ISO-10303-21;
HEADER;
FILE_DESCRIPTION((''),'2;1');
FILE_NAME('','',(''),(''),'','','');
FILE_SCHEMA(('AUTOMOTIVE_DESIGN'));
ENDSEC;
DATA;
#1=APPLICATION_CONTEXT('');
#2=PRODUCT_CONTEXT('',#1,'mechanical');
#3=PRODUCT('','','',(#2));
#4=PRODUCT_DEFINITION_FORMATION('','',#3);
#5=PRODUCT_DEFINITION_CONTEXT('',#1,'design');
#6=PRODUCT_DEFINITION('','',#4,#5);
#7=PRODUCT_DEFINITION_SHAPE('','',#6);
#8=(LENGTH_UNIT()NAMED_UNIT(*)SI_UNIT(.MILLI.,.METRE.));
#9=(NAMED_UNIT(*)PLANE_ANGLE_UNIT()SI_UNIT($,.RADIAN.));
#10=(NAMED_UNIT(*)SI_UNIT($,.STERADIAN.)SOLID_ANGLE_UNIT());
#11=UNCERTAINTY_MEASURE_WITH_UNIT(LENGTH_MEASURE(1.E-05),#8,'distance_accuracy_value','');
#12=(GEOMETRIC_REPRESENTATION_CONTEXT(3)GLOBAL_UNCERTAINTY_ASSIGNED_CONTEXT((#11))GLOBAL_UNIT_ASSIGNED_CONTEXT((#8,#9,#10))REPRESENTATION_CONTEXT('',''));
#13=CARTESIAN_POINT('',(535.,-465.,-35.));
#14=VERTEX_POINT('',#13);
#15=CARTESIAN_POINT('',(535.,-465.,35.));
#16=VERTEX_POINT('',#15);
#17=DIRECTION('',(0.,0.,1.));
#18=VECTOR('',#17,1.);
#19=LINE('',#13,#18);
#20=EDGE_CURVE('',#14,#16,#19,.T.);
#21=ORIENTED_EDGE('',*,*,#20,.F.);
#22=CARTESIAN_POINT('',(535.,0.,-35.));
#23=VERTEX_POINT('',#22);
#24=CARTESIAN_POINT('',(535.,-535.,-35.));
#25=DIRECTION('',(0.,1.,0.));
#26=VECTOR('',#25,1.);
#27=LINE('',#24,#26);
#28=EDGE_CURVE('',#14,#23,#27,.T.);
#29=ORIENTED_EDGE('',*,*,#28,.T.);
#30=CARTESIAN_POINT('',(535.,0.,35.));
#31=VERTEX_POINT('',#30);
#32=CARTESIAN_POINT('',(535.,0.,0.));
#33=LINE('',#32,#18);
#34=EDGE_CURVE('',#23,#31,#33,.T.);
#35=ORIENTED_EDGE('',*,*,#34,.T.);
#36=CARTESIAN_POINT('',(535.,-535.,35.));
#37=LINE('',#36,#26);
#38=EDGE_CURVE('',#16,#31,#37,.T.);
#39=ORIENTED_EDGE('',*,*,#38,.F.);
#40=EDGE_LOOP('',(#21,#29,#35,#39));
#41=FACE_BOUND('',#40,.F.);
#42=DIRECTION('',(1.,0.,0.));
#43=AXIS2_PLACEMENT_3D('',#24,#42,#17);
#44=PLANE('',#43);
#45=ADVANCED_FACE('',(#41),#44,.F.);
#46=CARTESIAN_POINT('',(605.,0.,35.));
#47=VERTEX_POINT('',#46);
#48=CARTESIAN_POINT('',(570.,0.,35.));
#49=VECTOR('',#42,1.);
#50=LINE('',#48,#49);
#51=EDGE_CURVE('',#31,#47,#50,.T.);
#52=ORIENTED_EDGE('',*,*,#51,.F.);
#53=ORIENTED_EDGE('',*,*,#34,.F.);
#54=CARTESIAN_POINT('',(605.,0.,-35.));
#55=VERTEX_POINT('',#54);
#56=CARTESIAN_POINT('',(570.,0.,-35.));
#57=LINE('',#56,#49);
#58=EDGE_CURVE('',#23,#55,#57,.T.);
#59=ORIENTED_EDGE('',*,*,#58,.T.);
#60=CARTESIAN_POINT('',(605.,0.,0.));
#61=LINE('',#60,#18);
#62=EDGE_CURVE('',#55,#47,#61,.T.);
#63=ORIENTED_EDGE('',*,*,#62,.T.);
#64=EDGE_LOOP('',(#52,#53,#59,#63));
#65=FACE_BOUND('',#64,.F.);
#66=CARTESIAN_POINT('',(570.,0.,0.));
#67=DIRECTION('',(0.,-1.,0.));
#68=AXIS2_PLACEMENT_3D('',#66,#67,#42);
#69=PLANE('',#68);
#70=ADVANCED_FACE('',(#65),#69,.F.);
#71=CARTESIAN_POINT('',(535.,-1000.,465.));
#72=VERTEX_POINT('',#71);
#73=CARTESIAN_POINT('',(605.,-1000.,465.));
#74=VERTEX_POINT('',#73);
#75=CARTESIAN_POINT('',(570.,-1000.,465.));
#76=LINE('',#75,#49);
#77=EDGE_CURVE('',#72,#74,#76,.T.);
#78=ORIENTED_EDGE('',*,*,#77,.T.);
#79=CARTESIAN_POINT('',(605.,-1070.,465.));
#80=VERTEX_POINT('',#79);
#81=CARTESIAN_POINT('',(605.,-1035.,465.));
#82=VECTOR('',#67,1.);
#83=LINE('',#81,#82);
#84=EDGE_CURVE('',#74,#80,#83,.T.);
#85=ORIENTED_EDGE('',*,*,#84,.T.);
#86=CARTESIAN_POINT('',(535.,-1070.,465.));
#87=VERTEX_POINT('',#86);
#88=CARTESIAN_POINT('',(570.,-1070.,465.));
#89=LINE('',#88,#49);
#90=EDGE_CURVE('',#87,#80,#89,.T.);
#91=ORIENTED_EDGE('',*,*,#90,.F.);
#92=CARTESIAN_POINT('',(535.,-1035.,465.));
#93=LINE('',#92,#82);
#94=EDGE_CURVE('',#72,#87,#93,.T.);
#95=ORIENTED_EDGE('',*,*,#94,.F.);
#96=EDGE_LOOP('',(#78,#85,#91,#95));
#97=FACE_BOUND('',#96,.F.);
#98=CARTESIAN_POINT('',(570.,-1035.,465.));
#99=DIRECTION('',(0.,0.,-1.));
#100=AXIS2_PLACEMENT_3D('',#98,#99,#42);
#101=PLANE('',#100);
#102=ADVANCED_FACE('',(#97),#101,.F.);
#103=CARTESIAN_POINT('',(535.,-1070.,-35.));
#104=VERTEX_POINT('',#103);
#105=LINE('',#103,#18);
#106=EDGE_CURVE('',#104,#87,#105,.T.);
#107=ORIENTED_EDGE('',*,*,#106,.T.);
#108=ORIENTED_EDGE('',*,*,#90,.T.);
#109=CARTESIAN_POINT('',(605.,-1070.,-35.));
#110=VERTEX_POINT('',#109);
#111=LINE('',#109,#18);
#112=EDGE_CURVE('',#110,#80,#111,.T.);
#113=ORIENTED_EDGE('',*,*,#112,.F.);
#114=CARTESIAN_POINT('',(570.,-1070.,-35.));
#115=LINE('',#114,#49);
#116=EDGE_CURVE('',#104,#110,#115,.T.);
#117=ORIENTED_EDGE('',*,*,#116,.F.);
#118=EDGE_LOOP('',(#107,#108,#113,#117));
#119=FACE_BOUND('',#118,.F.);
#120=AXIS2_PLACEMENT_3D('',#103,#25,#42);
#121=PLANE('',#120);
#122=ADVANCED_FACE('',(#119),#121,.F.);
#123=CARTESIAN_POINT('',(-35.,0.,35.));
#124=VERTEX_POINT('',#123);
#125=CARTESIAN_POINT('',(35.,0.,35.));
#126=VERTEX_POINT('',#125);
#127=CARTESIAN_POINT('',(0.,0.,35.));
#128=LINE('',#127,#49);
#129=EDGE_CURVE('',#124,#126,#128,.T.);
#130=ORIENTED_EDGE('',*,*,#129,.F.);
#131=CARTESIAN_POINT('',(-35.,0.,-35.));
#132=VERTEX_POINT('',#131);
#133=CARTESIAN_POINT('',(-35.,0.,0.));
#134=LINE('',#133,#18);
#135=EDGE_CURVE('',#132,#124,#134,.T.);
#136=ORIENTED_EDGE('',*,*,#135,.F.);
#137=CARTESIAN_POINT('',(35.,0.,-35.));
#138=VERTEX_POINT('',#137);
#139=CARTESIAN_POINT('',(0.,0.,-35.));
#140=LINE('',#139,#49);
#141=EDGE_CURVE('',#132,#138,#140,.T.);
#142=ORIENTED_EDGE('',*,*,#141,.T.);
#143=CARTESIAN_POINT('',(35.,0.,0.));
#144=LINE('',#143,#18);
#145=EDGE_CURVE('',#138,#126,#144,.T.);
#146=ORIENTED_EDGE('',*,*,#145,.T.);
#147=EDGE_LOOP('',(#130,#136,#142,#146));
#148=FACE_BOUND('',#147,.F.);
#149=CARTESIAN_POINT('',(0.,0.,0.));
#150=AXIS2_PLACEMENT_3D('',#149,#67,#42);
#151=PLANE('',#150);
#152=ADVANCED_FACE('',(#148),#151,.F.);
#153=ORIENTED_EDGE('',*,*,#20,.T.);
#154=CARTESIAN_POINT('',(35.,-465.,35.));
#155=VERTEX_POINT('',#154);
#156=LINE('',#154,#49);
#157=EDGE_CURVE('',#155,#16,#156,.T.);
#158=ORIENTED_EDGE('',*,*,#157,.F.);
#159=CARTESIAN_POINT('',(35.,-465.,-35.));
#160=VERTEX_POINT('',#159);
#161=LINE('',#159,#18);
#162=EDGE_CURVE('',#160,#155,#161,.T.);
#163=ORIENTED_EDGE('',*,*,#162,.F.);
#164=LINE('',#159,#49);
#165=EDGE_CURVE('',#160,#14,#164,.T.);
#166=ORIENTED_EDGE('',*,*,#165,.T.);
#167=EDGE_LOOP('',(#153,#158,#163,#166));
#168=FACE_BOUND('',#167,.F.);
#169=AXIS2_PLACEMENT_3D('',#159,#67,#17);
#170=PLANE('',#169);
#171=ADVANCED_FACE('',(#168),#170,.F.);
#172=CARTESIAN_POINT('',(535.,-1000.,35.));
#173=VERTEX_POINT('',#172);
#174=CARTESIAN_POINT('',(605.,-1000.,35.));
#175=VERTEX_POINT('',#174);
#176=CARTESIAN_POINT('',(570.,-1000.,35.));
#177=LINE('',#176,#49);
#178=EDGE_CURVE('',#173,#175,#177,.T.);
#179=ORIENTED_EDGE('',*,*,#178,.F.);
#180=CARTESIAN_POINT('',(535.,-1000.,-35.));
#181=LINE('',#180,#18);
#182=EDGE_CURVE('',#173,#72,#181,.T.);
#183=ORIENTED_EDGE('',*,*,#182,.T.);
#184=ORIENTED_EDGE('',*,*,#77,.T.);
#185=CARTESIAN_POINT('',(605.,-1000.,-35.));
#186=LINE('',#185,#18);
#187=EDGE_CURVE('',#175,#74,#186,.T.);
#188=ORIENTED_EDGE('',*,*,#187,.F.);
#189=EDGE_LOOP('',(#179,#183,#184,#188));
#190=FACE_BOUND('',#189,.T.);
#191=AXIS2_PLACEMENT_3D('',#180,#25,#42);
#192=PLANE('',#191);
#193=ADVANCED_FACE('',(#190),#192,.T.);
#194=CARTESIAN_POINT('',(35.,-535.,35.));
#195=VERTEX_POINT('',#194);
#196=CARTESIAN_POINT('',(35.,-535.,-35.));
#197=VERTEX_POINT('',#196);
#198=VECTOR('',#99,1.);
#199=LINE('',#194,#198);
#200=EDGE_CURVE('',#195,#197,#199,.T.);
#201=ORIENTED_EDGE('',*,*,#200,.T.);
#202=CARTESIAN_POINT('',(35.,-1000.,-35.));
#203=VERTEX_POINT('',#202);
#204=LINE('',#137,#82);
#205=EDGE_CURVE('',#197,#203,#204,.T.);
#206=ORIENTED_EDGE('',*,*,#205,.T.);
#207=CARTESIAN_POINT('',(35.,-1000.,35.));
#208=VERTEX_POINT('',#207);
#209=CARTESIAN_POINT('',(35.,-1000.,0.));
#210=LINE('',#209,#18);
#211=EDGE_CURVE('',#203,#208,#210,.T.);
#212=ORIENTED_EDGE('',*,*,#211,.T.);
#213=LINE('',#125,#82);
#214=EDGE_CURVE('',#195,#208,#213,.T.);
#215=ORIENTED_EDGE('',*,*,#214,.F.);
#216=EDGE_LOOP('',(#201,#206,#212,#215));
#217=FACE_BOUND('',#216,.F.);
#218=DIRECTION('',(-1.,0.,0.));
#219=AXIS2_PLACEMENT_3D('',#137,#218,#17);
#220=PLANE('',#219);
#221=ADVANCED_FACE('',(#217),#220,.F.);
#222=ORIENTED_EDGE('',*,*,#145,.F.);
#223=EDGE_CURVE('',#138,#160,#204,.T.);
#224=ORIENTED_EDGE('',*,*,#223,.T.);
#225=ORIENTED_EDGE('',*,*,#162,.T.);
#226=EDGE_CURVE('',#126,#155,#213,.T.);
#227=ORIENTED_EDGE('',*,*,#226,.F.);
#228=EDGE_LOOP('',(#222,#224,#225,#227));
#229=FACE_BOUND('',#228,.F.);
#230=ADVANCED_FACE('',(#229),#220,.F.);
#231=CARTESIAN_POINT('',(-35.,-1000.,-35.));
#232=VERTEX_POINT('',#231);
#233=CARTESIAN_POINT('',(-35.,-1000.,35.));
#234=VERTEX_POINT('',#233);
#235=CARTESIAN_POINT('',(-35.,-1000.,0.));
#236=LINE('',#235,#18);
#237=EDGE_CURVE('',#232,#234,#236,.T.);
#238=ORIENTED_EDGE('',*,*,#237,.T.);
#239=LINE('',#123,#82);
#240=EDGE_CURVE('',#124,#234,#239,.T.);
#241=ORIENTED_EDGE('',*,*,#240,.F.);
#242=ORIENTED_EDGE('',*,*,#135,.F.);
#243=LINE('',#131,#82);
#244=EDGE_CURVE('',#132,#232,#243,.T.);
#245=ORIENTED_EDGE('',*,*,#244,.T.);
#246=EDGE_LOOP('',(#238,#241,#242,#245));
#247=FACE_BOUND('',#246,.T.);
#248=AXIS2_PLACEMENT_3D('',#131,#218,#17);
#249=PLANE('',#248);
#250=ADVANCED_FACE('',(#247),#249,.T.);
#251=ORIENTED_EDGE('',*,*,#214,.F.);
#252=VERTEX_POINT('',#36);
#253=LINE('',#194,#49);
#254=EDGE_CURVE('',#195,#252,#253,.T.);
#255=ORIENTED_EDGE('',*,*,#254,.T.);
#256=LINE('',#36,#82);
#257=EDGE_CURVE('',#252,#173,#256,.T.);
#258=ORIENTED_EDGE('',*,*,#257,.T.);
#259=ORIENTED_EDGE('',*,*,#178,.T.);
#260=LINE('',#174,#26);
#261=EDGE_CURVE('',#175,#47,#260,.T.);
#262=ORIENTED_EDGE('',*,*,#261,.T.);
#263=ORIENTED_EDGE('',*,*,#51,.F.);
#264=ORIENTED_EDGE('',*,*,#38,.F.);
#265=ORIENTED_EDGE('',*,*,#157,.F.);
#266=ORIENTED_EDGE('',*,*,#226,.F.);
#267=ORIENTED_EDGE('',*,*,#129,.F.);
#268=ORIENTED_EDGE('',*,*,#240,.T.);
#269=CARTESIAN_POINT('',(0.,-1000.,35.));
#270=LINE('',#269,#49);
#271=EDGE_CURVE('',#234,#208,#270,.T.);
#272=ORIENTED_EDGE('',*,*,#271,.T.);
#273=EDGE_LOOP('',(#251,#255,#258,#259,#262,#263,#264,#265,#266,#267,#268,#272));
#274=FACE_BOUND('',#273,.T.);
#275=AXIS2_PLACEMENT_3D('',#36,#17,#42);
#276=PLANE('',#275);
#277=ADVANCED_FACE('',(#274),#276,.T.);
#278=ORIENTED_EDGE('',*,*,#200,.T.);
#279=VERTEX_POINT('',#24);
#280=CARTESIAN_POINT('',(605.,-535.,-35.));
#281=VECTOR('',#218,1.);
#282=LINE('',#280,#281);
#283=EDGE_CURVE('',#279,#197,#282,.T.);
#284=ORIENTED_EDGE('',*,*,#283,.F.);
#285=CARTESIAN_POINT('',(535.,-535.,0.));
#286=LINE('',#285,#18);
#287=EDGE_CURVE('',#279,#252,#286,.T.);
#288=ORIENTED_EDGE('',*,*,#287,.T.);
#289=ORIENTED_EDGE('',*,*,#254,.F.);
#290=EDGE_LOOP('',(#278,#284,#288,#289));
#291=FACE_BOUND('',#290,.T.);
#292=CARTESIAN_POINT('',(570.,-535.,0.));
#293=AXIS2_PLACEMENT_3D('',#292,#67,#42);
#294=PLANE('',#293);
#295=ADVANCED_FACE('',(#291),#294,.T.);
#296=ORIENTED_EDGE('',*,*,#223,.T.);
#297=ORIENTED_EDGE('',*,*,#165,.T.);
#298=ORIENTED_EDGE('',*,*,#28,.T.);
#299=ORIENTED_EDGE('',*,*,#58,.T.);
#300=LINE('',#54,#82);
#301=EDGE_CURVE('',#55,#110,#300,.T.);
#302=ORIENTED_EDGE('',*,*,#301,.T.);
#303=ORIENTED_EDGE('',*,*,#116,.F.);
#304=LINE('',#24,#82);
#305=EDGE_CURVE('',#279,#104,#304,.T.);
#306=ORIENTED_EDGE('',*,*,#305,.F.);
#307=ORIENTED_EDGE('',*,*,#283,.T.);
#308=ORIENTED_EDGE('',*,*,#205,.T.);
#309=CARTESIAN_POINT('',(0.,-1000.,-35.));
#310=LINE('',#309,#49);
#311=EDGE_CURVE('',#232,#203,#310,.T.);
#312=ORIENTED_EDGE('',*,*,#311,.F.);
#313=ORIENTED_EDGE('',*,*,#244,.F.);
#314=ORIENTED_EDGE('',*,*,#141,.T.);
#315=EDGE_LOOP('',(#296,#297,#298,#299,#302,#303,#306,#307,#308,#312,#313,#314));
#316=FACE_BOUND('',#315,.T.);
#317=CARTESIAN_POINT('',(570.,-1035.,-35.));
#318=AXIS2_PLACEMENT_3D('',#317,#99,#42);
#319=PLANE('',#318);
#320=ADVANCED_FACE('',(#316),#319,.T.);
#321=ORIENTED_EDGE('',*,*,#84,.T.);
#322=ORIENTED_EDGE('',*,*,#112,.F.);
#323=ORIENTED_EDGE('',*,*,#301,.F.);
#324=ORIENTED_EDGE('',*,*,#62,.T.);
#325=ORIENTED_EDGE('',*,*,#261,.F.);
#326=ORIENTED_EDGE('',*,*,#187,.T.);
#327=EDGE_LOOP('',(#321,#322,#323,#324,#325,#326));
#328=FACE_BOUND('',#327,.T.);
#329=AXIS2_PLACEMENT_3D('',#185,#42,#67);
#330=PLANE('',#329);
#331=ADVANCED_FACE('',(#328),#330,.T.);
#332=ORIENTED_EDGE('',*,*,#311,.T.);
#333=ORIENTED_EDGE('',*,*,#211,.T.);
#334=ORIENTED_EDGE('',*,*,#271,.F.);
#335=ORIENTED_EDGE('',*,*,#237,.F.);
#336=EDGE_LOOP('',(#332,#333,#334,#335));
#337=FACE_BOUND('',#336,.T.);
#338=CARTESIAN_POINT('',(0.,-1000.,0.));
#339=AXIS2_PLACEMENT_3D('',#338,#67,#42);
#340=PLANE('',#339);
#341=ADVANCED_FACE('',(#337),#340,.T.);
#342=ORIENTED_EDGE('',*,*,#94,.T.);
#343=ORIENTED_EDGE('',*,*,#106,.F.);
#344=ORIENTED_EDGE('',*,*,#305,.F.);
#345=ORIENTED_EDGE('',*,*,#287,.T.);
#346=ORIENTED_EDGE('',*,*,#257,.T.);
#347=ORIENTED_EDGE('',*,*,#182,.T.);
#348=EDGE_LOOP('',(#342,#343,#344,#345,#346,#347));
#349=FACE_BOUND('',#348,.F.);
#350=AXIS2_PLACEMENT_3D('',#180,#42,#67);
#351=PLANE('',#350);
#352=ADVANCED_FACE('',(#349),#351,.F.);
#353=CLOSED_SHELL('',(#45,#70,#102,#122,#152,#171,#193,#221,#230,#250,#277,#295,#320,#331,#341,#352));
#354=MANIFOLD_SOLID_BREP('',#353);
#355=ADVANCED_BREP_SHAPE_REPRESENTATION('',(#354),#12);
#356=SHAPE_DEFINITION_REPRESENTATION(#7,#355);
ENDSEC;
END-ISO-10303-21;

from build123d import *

# Parameters (mm, degrees)
F0_W     = 70
F0_H     = 70
F1_DEPTH = 1000
F3_DEPTH = 500
F4_W     = 70
F4_H     = 70
F5_DEPTH = 535
F6_W     = 70
F6_H     = 70
F7_DEPTH = 465
F8_W     = 70
F8_H     = 70
F9_DEPTH = 500


with BuildPart() as f1:
    # F0 (on Front) → F1 (new body)
    with BuildSketch(Plane.XZ):
        Rectangle(F0_W, F0_H)
    extrude(amount=F1_DEPTH)

    # F2 (on face) → F3 (join)
    with BuildSketch(Plane.YZ.offset(35)):
        Polygon((-465, 35), (-500, 35), (-535, 35), (-535, -35), (-465, -35), align=None)
    extrude(amount=F3_DEPTH)

    # F4 (on face) → F5 (join)
    with BuildSketch(Plane.XZ.offset(535)):
        with Locations((570, 0)):
            Rectangle(F4_W, F4_H)
    extrude(amount=-F5_DEPTH)

    # F6 (on face) → F7 (join)
    with BuildSketch(Plane.XZ.offset(535)):
        with Locations((570, 0)):
            Rectangle(F6_W, F6_H)
    extrude(amount=F7_DEPTH)

    # F8 (on face) → F9 (join)
    with BuildSketch(Plane(origin=(0, 0, -35), x_dir=(1, 0, 0), z_dir=(0, 0, -1))):
        with Locations((570, 1035)):
            Rectangle(F8_W, F8_H)
    extrude(amount=-F9_DEPTH)


solid = f1.part
